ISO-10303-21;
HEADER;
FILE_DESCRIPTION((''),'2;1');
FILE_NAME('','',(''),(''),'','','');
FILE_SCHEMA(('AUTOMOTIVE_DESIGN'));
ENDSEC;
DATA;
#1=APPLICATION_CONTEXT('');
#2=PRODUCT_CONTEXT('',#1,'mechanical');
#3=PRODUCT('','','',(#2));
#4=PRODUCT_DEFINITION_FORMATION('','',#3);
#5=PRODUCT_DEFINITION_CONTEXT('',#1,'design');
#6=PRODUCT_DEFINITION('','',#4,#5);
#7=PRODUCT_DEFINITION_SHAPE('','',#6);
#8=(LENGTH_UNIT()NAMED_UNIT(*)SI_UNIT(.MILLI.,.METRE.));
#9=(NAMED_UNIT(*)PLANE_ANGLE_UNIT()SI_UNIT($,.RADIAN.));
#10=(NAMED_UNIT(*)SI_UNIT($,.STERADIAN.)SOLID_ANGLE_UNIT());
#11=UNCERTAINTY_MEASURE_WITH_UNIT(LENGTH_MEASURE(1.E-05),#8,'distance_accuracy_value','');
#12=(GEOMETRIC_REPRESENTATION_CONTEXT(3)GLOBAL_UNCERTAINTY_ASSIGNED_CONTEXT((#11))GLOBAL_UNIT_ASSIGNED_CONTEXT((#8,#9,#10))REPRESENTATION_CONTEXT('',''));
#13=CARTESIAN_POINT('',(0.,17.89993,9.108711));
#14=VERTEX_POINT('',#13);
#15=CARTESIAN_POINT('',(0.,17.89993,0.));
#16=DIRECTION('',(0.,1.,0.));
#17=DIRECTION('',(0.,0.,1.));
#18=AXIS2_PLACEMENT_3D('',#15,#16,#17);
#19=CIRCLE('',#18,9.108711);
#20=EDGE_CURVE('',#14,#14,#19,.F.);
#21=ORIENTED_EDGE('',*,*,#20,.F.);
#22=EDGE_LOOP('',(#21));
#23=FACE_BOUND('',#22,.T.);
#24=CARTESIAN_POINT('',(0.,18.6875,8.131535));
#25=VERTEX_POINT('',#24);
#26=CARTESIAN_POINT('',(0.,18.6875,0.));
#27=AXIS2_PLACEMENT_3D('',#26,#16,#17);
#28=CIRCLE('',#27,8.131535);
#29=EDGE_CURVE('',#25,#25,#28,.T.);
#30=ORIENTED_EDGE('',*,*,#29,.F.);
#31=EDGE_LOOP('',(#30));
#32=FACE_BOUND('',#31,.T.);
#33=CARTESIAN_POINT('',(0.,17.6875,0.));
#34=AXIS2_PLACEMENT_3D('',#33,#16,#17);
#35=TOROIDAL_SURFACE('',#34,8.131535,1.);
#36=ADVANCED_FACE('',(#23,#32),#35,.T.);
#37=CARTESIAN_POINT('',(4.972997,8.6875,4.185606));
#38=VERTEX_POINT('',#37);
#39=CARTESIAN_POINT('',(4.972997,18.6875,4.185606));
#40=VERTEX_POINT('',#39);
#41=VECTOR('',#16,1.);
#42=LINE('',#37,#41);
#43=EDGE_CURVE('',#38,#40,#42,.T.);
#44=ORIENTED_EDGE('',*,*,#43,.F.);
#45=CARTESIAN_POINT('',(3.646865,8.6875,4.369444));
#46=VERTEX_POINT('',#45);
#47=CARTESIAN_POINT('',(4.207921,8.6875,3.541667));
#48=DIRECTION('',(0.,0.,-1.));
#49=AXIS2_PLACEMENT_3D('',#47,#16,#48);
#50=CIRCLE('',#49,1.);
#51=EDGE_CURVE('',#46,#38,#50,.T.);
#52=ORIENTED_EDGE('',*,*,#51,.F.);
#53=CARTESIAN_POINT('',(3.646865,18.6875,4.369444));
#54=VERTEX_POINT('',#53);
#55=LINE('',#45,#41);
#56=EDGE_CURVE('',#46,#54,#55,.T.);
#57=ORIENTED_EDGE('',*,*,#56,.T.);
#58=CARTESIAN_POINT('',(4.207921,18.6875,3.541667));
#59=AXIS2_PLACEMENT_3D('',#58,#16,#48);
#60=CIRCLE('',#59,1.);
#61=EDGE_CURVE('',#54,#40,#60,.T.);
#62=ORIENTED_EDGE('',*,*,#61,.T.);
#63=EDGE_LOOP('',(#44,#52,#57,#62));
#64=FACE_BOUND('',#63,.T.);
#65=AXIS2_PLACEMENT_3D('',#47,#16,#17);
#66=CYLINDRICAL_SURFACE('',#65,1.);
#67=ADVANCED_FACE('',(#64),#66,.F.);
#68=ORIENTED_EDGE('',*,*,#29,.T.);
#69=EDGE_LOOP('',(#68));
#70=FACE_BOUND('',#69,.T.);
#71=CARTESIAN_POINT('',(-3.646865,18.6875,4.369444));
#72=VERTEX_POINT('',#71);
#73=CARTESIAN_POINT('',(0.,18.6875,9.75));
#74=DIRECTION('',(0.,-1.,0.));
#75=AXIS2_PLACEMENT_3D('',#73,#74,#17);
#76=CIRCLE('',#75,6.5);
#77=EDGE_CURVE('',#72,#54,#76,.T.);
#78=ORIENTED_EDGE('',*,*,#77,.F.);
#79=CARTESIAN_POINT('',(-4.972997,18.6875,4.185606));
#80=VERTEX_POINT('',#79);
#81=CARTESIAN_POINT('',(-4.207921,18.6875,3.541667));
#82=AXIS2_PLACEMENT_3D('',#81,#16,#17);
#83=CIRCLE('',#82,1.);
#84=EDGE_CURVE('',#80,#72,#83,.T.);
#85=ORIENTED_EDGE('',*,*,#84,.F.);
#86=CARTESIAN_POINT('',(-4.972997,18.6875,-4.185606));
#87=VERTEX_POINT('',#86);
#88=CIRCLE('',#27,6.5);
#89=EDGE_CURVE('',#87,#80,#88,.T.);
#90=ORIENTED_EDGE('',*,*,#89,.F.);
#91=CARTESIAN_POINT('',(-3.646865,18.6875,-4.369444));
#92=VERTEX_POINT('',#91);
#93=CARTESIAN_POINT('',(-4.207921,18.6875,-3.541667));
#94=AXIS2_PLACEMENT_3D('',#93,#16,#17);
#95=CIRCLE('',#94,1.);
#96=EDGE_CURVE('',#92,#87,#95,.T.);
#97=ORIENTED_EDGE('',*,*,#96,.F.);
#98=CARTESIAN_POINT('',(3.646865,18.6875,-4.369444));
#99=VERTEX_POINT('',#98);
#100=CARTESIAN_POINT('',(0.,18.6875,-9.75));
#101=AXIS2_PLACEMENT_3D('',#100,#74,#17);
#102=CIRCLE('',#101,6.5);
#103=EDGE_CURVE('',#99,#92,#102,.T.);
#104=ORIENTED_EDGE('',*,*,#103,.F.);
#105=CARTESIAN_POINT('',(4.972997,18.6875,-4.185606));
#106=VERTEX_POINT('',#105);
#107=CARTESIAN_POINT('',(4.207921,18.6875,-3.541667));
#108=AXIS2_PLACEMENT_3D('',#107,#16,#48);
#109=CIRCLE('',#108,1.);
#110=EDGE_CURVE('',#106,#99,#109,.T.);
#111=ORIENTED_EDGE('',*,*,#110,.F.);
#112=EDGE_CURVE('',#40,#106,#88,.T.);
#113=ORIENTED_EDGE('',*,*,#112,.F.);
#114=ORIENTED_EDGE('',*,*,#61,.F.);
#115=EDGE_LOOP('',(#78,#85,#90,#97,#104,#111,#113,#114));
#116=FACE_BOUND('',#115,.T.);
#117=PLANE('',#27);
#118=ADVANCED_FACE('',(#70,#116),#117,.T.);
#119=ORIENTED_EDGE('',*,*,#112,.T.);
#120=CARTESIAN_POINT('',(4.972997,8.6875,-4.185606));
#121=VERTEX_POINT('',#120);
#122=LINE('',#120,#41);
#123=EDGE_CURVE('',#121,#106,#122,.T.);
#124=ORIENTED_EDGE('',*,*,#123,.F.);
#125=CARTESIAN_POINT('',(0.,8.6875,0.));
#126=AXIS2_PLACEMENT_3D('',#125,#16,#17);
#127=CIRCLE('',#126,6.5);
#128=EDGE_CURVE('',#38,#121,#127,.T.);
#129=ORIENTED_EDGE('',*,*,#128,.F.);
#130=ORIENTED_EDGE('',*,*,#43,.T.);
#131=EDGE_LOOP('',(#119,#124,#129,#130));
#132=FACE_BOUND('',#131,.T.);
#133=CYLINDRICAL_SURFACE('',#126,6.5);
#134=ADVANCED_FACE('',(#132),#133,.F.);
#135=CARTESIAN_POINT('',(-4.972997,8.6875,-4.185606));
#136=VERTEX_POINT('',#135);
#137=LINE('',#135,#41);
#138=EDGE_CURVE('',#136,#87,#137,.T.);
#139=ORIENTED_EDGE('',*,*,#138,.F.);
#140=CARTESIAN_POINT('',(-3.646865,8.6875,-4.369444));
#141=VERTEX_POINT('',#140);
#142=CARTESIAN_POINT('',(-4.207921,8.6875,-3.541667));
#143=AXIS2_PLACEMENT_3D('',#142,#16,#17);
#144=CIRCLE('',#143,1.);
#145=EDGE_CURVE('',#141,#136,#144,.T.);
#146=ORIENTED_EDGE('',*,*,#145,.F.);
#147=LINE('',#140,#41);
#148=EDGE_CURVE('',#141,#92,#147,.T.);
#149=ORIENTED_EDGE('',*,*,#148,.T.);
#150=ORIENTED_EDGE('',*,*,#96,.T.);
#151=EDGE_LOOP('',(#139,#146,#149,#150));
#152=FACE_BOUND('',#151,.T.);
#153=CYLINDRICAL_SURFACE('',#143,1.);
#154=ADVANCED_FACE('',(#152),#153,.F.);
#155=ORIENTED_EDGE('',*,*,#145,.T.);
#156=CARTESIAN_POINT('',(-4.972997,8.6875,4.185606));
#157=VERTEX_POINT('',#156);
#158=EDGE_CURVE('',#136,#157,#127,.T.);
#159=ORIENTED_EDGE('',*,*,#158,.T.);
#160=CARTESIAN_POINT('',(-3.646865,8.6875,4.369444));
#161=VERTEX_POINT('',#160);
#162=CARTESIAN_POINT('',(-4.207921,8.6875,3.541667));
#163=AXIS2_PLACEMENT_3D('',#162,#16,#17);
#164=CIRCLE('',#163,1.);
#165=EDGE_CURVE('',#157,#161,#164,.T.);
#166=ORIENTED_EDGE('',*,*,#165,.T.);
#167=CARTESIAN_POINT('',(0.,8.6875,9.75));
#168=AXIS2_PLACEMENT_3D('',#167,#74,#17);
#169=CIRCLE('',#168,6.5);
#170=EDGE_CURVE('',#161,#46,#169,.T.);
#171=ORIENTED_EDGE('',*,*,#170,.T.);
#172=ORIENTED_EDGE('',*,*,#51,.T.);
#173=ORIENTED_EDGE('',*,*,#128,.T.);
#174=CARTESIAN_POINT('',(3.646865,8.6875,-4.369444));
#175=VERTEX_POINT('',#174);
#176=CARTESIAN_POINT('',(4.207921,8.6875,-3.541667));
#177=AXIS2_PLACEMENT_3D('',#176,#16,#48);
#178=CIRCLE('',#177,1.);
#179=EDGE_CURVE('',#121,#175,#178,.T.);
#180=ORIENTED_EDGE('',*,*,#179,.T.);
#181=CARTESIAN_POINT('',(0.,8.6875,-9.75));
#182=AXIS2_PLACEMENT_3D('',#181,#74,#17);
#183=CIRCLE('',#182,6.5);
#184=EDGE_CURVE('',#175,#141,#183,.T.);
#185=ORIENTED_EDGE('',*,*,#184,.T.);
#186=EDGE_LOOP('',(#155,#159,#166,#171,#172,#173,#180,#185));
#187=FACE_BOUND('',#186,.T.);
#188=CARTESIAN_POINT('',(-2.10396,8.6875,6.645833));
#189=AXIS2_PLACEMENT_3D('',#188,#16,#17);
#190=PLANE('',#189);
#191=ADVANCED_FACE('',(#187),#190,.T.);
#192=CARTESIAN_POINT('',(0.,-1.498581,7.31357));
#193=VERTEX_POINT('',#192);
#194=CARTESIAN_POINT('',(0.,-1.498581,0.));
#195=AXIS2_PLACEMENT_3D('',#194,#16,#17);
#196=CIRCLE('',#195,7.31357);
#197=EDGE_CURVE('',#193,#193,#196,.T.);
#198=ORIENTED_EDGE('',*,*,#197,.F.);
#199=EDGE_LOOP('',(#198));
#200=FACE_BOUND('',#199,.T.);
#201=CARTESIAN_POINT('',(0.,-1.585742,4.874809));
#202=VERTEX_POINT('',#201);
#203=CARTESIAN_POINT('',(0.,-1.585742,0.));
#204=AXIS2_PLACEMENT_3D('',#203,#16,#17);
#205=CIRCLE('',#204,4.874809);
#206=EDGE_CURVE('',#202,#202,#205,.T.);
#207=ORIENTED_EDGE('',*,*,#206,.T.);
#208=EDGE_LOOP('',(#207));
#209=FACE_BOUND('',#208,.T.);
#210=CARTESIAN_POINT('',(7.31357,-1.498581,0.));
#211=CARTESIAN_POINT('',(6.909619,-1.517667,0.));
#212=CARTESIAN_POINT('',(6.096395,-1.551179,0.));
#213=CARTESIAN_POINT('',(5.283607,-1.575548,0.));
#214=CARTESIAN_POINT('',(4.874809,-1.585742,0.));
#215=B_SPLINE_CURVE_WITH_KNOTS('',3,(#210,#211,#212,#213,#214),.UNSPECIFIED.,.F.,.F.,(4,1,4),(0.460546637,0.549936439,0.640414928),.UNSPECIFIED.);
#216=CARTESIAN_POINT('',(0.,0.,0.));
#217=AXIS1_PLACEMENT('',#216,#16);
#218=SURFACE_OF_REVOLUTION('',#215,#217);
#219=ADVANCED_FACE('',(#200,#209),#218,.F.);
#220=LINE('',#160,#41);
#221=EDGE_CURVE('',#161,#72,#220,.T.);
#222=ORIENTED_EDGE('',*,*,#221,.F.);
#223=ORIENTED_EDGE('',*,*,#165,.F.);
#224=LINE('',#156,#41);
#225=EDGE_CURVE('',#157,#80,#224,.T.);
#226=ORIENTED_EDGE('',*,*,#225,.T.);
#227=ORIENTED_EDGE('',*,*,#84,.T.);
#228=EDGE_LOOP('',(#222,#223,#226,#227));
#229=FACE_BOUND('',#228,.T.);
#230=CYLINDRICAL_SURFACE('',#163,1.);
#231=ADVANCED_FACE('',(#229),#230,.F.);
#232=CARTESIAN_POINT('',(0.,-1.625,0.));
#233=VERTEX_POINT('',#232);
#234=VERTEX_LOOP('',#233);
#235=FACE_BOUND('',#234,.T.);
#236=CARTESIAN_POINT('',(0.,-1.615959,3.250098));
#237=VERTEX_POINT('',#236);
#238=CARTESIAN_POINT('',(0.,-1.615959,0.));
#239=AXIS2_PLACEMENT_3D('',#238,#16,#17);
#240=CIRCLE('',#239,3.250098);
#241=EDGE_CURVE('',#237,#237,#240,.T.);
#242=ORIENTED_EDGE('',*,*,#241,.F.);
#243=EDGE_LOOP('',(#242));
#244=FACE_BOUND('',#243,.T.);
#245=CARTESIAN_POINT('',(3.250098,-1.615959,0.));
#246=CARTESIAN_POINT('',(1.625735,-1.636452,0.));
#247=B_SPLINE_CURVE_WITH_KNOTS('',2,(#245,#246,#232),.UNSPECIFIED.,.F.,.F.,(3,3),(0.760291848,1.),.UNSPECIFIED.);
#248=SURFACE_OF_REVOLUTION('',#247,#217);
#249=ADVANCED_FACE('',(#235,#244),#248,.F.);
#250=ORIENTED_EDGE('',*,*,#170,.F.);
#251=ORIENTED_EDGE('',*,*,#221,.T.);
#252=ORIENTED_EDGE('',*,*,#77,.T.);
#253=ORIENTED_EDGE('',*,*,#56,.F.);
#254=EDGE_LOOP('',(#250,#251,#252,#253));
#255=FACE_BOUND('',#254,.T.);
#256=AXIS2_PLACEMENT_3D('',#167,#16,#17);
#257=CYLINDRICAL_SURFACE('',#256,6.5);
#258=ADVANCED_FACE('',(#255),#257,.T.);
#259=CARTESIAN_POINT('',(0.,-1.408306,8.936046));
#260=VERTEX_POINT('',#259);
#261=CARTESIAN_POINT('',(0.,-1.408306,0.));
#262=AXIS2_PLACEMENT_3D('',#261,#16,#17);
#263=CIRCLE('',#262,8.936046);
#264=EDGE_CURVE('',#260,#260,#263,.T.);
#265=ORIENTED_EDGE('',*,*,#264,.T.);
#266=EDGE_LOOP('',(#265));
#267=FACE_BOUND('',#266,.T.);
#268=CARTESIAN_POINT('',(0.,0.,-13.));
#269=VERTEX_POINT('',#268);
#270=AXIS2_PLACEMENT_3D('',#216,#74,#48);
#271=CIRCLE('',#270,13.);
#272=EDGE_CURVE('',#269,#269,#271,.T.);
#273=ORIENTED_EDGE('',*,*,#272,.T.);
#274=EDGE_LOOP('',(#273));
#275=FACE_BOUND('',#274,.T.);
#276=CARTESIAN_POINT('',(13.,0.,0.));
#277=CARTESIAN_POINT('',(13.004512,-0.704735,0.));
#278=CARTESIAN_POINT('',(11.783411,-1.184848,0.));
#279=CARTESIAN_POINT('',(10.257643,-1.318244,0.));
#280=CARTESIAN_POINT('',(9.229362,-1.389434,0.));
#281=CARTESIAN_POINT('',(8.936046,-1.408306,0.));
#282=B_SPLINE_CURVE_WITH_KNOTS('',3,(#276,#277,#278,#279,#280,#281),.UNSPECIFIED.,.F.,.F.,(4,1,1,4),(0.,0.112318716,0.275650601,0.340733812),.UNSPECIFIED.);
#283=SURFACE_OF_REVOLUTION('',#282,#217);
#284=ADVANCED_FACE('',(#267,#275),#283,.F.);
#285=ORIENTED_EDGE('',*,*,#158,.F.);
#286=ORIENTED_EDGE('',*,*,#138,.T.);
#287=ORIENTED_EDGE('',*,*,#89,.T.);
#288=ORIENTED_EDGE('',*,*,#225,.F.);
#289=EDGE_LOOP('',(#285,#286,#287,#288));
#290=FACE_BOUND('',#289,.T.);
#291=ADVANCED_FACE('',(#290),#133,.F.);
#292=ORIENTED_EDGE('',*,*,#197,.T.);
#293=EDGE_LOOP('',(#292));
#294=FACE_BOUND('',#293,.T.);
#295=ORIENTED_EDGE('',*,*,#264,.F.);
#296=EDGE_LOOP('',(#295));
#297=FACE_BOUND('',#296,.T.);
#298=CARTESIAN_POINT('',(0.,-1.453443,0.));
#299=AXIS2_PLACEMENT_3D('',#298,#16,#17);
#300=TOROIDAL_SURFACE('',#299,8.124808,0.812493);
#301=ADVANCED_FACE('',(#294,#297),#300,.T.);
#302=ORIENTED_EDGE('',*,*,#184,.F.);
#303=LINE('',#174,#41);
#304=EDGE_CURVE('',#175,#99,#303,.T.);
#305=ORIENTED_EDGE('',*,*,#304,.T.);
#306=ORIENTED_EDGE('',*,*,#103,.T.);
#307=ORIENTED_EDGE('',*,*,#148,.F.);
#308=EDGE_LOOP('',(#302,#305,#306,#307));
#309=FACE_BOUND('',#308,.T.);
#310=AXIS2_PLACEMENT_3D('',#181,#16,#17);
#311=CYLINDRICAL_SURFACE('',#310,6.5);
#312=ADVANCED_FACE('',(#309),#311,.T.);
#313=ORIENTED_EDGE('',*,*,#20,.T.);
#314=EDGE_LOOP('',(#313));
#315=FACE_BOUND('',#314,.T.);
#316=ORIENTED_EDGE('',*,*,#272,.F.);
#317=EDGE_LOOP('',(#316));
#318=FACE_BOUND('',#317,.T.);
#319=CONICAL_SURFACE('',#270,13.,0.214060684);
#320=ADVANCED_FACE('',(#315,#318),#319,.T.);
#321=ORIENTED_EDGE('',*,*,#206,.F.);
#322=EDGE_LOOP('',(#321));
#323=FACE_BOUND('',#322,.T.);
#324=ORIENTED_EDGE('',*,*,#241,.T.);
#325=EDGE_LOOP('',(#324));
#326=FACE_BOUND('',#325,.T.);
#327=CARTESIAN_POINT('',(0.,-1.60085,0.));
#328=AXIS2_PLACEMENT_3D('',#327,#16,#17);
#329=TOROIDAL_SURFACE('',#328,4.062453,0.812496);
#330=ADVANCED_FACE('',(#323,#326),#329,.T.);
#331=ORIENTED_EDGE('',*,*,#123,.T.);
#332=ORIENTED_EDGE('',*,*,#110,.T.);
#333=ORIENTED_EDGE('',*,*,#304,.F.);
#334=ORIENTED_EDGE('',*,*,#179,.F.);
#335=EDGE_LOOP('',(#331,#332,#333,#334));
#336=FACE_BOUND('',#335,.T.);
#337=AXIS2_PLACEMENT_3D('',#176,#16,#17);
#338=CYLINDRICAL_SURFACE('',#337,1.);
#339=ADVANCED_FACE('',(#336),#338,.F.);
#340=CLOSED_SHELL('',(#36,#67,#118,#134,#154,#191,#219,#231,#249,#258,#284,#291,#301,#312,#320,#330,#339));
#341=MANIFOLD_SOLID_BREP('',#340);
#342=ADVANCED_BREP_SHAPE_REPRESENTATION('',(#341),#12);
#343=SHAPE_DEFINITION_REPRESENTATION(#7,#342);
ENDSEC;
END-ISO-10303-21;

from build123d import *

# Parameters (mm, degrees)
SCALE1_SCALE       = 0.8125
CUT_EXTRUDE1_DEPTH = 10
FILLET1_R          = 1


with BuildPart() as part:
    # Sketch1 → Revolve2 (revolve)
    with BuildSketch(Plane.XY, mode=Mode.PRIVATE) as revolve2_sk:
        Polygon((0, 0), (16, 0), (11, 23), (0, 23), align=None)
    revolve(revolve2_sk.sketch.rotate(Axis((0, 0, 0), (0, 1, 0)), 90), axis=Axis((0, 0, 0), (0, 1, 0)))

    # Sketch3 → Revolve3 (revolve)
    with BuildSketch(Plane.XY, mode=Mode.PRIVATE) as revolve3_sk:
        with BuildLine():
            Line((5, 0), (0, 0))
            Line((0, 0), (0, -2))
            add(Edge.make_bspline(
                [(4.000120402, -1.988873118), (2.000904081, -2.014095318), (0, -2)],
                knots=[0.760291848, 0.760291848, 0.760291848, 1, 1, 1], degree=2))
            ThreePointArc((4.000120402, -1.988873118), (5.018538347, -2.970099866), (5.999765095, -1.951681921))
            add(Edge.make_bspline(
                [(9.001316848, -1.844407297), (8.504146741, -1.867898381), (7.503255878, -1.909143307), (6.502901353, -1.939136317), (5.999765095, -1.951681921)],
                knots=[0.460546637, 0.460546637, 0.460546637, 0.460546637, 0.549936439, 0.640414928, 0.640414928, 0.640414928, 0.640414928], degree=3))
            ThreePointArc((9.001316848, -1.844407297), (10.055317346, -2.787300024), (10.998210072, -1.733299527))
            add(Edge.make_bspline(
                [(16, 0), (16.005553276, -0.867365877), (14.502659499, -1.458274407), (12.624790808, -1.622454292), (11.359215178, -1.71007313), (10.998210072, -1.733299527)],
                knots=[0, 0, 0, 0, 0.112318716, 0.275650601, 0.340733812, 0.340733812, 0.340733812, 0.340733812], degree=3))
            Line((16, 0), (10, 0))
            Line((10, 0), (5, 0))
        make_face()
    revolve(revolve3_sk.sketch.rotate(Axis((0, 0, 0), (0, -1, 0)), 90), axis=Axis((0, 0, 0), (0, -1, 0)))


with BuildPart() as part_1:
    # Scale1: scaled about (0, 0, 0)
    add(part.part.scale(SCALE1_SCALE))

    # Sketch4 → Cut-Extrude1 (cut)
    with BuildSketch(Plane(origin=(0, 18.6875, 0), x_dir=(1, 0, 0), z_dir=(0, 1, 0))):
        with BuildLine():
            ThreePointArc((4.972997276, -4.185606061), (6.5, 0), (4.972997276, 4.185606061))
            ThreePointArc((4.972997276, 4.185606061), (4.345235079, 4.532194193), (3.646864669, 4.369444444))
            ThreePointArc((3.646864669, 4.369444444), (0, 3.25), (-3.646864669, 4.369444444))
            ThreePointArc((-3.646864669, 4.369444444), (-4.345235079, 4.532194193), (-4.972997276, 4.185606061))
            ThreePointArc((-4.972997276, 4.185606061), (-6.5, 0), (-4.972997276, -4.185606061))
            ThreePointArc((-4.972997276, -4.185606061), (-4.345235079, -4.532194193), (-3.646864669, -4.369444444))
            ThreePointArc((-3.646864669, -4.369444444), (0, -3.25), (3.646864669, -4.369444444))
            ThreePointArc((3.646864669, -4.369444444), (4.345235079, -4.532194193), (4.972997276, -4.185606061))
        make_face()
    extrude(amount=-CUT_EXTRUDE1_DEPTH, mode=Mode.SUBTRACT)

    # Fillet1
    fillet1_edges = [part_1.edges().sort_by_distance(p)[0] for p in [
        (0, 18.6875, 8.9375),
    ]]
    fillet(fillet1_edges, radius=FILLET1_R)


solid = part_1.part
